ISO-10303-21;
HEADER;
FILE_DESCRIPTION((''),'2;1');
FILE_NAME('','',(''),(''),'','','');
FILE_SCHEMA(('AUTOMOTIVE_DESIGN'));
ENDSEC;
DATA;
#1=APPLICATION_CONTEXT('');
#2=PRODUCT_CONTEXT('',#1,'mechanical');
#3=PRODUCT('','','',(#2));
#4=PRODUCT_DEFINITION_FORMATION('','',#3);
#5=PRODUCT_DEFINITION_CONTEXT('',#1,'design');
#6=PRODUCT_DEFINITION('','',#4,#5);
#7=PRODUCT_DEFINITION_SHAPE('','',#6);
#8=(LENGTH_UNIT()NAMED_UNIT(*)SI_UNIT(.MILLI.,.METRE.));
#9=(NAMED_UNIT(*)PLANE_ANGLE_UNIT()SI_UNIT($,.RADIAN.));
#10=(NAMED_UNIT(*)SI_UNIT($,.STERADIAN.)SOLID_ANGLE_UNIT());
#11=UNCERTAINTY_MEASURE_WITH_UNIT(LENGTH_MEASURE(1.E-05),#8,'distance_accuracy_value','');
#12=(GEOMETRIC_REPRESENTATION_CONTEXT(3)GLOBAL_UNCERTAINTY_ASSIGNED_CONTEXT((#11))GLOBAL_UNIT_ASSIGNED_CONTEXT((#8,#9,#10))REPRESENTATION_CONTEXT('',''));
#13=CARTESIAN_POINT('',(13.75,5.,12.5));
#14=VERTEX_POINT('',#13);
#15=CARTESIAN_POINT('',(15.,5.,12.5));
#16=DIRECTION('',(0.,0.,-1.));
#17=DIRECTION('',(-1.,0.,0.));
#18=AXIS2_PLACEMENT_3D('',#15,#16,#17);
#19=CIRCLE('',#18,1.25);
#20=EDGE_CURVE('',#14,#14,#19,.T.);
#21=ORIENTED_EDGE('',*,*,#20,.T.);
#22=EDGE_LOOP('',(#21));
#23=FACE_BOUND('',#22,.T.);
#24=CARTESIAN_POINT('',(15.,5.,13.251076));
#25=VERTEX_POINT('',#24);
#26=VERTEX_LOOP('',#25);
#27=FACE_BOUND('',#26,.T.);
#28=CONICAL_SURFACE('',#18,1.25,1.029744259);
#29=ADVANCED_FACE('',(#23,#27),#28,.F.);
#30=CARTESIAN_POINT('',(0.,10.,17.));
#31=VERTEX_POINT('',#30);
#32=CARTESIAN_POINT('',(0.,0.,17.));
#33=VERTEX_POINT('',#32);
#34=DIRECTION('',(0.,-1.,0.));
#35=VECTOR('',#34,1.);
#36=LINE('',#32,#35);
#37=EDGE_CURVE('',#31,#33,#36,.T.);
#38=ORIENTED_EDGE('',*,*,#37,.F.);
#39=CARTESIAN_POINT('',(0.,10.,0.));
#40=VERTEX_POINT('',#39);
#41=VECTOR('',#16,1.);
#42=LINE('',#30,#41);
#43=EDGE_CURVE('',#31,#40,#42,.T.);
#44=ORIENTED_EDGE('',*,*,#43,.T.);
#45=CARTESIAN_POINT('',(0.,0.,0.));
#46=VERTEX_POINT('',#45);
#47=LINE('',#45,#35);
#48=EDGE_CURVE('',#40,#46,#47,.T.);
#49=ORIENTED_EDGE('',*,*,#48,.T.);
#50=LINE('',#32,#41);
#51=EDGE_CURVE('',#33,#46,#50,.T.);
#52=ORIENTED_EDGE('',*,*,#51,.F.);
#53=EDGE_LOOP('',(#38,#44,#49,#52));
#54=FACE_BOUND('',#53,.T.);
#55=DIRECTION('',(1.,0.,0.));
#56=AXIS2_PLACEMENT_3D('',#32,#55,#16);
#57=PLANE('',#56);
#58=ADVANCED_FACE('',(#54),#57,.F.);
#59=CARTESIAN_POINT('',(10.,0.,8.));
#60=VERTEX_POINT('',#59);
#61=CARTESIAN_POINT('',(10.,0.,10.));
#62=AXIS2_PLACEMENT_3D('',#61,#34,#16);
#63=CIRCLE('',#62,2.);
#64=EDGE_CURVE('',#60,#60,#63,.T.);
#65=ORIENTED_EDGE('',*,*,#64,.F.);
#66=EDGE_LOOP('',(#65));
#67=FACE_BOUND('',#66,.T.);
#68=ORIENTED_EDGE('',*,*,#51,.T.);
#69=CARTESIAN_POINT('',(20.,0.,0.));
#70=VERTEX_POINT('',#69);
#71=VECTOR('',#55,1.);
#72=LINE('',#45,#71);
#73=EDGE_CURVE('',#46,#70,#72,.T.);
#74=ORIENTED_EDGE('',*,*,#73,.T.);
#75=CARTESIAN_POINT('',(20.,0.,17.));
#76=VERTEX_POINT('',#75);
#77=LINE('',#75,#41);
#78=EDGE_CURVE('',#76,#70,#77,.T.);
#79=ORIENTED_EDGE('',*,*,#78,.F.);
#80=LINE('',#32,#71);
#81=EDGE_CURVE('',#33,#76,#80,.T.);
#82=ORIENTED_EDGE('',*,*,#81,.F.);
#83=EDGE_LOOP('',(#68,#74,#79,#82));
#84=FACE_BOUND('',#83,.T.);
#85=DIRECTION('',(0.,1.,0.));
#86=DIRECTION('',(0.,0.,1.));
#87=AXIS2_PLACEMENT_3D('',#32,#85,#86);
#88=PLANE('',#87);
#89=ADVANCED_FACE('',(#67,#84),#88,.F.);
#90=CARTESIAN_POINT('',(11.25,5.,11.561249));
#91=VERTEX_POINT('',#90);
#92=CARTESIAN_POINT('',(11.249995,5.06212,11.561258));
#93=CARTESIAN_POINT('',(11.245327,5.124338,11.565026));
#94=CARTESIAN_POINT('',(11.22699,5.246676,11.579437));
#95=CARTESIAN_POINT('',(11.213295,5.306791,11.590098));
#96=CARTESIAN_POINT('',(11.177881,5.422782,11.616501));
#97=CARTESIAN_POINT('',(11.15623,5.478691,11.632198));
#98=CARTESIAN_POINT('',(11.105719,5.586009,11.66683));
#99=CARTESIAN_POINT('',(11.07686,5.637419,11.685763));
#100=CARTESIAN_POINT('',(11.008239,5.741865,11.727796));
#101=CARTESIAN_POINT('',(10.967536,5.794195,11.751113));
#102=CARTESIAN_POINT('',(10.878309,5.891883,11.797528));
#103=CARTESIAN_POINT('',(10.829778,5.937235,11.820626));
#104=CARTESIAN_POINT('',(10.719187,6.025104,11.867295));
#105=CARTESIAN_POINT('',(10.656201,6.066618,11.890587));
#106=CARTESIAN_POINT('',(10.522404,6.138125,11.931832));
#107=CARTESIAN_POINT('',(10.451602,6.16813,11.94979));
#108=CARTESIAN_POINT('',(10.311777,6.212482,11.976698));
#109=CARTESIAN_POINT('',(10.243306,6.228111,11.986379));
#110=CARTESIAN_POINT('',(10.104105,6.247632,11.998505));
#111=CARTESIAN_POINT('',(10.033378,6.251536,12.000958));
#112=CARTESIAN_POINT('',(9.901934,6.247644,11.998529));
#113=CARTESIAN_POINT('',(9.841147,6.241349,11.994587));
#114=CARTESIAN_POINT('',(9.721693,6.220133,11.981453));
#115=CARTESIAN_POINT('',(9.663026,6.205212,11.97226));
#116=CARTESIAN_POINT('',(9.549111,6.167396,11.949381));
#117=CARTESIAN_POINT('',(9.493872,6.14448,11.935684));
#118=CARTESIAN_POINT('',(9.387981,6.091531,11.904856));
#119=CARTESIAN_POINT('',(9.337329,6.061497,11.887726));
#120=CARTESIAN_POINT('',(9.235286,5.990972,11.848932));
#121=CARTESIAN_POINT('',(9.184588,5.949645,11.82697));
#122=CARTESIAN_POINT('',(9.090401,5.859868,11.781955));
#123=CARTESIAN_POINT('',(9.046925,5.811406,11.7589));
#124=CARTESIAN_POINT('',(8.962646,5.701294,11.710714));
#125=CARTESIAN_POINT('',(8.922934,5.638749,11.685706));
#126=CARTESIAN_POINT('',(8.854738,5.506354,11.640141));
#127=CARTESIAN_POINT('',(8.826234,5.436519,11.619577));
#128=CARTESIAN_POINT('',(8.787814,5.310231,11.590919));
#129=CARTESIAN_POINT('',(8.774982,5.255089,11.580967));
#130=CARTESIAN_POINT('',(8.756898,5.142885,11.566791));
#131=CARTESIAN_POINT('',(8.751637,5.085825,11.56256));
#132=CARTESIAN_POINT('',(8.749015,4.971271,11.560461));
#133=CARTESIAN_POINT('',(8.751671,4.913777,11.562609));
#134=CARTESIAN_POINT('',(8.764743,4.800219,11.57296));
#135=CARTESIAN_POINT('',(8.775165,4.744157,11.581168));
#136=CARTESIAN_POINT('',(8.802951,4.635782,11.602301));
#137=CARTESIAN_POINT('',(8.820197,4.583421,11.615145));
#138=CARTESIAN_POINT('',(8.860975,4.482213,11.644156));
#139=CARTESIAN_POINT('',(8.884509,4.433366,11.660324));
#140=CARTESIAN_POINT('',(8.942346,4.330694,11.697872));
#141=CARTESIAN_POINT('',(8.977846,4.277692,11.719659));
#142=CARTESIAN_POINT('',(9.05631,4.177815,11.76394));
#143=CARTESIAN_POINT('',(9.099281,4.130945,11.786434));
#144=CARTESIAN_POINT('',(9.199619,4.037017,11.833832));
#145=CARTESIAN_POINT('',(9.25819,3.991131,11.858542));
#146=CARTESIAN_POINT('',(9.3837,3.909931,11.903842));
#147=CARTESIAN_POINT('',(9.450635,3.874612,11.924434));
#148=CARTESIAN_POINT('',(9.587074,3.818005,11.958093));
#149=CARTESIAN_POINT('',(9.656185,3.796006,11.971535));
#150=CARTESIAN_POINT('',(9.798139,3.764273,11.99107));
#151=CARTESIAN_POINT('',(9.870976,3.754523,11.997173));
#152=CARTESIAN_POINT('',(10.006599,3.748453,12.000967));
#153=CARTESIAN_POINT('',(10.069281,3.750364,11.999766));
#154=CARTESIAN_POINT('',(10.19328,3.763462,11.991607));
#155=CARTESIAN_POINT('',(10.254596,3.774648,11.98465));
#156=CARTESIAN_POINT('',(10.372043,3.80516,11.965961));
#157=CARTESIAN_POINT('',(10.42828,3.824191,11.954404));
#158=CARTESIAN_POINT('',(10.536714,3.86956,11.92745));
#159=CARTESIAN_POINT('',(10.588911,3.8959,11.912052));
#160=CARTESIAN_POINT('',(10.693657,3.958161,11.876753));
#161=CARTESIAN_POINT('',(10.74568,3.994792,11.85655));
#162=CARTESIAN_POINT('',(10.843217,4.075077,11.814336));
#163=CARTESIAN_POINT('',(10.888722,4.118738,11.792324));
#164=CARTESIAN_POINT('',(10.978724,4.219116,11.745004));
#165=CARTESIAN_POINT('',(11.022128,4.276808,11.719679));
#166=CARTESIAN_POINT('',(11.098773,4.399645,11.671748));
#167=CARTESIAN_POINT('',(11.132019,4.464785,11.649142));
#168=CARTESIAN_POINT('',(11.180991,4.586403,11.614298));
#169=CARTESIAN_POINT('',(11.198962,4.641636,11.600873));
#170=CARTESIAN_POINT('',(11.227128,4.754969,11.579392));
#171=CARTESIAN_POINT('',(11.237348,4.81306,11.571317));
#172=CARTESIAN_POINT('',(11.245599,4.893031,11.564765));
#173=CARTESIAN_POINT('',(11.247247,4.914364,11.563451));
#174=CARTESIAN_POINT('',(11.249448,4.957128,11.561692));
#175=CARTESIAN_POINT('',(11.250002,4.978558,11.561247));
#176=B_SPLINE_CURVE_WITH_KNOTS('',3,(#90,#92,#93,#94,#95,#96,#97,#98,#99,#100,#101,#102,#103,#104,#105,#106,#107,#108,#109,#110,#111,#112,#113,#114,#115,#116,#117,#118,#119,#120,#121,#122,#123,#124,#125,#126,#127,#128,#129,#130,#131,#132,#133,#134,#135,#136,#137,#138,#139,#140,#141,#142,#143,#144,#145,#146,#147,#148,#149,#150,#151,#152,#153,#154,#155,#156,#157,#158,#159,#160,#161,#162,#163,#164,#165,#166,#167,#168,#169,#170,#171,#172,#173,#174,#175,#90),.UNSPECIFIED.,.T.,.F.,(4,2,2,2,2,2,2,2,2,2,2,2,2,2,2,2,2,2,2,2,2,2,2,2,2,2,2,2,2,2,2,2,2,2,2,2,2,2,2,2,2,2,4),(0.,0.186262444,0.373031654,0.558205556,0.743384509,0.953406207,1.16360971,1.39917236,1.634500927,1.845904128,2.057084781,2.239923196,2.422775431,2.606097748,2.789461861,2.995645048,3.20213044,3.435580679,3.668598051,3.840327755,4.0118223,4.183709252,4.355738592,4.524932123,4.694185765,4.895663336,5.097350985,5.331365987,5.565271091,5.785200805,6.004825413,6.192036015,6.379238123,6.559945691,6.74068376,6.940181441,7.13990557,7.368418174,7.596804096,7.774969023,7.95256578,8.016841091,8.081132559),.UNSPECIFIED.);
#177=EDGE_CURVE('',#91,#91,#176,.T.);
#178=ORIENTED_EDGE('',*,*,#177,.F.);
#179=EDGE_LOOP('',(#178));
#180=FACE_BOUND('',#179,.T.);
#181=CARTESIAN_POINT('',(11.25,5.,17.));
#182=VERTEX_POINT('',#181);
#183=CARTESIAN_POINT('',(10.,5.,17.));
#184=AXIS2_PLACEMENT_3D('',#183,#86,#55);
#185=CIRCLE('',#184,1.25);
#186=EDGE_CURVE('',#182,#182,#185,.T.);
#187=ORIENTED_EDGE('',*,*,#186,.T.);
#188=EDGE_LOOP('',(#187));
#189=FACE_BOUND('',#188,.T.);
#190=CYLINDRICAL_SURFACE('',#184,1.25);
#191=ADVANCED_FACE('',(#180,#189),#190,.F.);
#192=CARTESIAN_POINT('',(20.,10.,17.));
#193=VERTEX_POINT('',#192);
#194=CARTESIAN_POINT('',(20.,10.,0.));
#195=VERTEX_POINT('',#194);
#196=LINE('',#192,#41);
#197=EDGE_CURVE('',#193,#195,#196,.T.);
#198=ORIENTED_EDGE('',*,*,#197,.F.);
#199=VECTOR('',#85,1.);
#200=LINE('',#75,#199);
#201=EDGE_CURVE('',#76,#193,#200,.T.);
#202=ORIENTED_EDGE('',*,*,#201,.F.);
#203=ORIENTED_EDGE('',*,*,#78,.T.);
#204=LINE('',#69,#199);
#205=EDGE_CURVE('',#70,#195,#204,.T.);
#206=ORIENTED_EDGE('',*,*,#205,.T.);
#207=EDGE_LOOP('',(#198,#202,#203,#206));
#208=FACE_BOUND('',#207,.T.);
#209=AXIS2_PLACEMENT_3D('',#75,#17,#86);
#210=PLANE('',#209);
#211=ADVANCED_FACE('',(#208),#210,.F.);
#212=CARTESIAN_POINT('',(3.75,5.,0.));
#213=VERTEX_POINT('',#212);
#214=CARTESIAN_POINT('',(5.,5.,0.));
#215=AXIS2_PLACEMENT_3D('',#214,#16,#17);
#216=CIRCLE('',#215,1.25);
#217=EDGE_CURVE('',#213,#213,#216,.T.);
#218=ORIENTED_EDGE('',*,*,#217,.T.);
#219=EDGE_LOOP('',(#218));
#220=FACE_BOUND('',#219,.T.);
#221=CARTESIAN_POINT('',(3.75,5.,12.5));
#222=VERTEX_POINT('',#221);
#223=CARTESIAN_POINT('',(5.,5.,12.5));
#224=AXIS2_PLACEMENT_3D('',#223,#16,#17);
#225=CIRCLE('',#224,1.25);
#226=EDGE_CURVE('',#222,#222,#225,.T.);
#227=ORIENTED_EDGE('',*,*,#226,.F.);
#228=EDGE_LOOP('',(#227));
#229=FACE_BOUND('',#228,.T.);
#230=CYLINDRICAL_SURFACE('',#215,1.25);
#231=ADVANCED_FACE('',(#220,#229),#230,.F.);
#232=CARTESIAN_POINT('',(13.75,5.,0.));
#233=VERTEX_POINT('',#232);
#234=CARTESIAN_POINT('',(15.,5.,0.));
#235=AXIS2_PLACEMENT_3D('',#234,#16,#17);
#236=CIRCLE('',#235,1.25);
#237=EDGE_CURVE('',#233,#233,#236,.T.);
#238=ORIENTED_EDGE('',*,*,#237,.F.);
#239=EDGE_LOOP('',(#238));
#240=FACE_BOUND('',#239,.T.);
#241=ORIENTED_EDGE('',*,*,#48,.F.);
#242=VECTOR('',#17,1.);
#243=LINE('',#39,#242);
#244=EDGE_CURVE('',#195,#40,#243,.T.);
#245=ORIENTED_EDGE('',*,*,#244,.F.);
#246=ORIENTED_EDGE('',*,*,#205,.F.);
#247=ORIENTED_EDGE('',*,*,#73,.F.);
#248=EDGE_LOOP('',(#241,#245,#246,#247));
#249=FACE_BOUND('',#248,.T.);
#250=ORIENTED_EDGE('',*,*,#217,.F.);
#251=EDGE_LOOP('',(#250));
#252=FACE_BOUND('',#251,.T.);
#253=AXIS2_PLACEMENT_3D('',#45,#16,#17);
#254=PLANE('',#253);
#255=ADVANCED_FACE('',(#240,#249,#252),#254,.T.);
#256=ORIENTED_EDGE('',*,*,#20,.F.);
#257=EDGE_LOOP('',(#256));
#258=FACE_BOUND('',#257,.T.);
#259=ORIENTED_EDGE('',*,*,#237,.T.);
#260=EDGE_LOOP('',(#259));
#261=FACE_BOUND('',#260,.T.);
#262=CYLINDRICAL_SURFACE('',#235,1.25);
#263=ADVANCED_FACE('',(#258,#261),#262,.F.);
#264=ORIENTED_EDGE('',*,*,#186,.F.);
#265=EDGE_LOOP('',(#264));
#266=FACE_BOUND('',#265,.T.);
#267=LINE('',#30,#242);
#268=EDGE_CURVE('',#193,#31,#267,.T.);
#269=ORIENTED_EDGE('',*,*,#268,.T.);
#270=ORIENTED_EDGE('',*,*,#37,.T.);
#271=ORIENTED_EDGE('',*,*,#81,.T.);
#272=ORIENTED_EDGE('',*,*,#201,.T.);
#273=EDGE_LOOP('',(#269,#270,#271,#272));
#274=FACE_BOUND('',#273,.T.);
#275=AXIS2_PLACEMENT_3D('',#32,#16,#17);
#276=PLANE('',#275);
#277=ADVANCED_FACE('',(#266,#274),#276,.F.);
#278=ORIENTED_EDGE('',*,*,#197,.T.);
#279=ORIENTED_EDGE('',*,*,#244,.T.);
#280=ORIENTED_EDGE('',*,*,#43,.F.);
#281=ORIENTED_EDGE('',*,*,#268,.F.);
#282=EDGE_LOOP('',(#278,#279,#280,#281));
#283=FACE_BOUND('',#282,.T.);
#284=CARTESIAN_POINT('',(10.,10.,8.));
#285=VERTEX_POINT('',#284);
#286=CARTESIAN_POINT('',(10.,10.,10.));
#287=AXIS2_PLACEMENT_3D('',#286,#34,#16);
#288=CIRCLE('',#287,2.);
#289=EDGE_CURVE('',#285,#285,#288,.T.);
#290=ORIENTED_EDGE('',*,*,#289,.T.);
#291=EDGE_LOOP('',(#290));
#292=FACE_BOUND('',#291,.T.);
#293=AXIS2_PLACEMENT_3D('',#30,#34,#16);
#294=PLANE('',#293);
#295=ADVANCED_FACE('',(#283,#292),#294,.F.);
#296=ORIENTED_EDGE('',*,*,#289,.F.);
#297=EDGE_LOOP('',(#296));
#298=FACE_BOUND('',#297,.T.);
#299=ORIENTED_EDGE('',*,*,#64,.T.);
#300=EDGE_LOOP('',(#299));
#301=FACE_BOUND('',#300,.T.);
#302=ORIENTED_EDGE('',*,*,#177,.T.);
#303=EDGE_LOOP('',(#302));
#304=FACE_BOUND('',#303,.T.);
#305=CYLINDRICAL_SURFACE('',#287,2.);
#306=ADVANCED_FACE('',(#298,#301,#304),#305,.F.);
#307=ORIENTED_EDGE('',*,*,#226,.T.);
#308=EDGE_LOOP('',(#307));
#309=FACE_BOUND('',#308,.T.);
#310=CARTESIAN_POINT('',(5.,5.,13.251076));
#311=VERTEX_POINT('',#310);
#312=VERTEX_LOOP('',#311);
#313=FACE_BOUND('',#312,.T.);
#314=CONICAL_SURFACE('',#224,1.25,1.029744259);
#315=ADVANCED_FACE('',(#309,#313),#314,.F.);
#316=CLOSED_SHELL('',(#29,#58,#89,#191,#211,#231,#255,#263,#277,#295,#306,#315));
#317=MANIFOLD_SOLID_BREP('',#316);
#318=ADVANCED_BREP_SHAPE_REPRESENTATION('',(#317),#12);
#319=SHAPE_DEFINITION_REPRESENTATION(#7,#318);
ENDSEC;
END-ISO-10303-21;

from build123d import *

# Parameters (mm, degrees)
SKETCH_1_W          = 20
SKETCH_1_H          = 10
EXTRUDE_1_DEPTH     = 17
SKETCH_2_R          = 2
CUT_EXTRUDE_1_DEPTH = 29.08914381
M3X0_5_1_D          = 2.5
M3X0_5_1_DEPTH      = 12.5
M3X0_5_1_TIP        = 0.751075774
M3X0_5_2_REACH      = 30.089
M3X0_5_2_BORE_R     = 1.25


with BuildPart() as part:
    # ｽｹｯﾁ1 → ﾎﾞｽ - 押し出し1 (new body)
    with BuildSketch(Plane.XY):
        with Locations((10, 5)):
            Rectangle(SKETCH_1_W, SKETCH_1_H)
    extrude(amount=EXTRUDE_1_DEPTH)

    # ｽｹｯﾁ2 → ｶｯﾄ - 押し出し1 (cut, through all)
    with BuildSketch(Plane.XZ):
        with Locations(Location((10, 10, 0), (0, 0, 270))):
            Circle(SKETCH_2_R)
    extrude(amount=-CUT_EXTRUDE_1_DEPTH, mode=Mode.SUBTRACT)

    # M3x0.5 ねじ穴1
    with Locations(Plane(origin=(0, 0, 0), x_dir=(-1, 0, 0), z_dir=(0, 0, -1))):
        with Locations((-5, 5), (-15, 5)):
            Hole(M3X0_5_1_D / 2, depth=M3X0_5_1_DEPTH)
            with Locations((0, 0, -(M3X0_5_1_DEPTH + M3X0_5_1_TIP / 2))):  # 118° drill point
                Cone(0, M3X0_5_1_D / 2, M3X0_5_1_TIP, mode=Mode.SUBTRACT)

    # M3x0.5 ねじ穴2 bore → M3x0.5 ねじ穴2 (cut, up to next)
    with BuildSketch(Plane.XY.offset(17), mode=Mode.PRIVATE) as m3x0_5_2_sk1:
        with Locations((10, 5)):
            Circle(M3X0_5_2_BORE_R)
    m3x0_5_2_tool1 = extrude(m3x0_5_2_sk1.sketch, amount=-M3X0_5_2_REACH, mode=Mode.PRIVATE) & part.part
    add(m3x0_5_2_tool1.solids().sort_by_distance((10, 5, 17))[0], mode=Mode.SUBTRACT)


solid = part.part
